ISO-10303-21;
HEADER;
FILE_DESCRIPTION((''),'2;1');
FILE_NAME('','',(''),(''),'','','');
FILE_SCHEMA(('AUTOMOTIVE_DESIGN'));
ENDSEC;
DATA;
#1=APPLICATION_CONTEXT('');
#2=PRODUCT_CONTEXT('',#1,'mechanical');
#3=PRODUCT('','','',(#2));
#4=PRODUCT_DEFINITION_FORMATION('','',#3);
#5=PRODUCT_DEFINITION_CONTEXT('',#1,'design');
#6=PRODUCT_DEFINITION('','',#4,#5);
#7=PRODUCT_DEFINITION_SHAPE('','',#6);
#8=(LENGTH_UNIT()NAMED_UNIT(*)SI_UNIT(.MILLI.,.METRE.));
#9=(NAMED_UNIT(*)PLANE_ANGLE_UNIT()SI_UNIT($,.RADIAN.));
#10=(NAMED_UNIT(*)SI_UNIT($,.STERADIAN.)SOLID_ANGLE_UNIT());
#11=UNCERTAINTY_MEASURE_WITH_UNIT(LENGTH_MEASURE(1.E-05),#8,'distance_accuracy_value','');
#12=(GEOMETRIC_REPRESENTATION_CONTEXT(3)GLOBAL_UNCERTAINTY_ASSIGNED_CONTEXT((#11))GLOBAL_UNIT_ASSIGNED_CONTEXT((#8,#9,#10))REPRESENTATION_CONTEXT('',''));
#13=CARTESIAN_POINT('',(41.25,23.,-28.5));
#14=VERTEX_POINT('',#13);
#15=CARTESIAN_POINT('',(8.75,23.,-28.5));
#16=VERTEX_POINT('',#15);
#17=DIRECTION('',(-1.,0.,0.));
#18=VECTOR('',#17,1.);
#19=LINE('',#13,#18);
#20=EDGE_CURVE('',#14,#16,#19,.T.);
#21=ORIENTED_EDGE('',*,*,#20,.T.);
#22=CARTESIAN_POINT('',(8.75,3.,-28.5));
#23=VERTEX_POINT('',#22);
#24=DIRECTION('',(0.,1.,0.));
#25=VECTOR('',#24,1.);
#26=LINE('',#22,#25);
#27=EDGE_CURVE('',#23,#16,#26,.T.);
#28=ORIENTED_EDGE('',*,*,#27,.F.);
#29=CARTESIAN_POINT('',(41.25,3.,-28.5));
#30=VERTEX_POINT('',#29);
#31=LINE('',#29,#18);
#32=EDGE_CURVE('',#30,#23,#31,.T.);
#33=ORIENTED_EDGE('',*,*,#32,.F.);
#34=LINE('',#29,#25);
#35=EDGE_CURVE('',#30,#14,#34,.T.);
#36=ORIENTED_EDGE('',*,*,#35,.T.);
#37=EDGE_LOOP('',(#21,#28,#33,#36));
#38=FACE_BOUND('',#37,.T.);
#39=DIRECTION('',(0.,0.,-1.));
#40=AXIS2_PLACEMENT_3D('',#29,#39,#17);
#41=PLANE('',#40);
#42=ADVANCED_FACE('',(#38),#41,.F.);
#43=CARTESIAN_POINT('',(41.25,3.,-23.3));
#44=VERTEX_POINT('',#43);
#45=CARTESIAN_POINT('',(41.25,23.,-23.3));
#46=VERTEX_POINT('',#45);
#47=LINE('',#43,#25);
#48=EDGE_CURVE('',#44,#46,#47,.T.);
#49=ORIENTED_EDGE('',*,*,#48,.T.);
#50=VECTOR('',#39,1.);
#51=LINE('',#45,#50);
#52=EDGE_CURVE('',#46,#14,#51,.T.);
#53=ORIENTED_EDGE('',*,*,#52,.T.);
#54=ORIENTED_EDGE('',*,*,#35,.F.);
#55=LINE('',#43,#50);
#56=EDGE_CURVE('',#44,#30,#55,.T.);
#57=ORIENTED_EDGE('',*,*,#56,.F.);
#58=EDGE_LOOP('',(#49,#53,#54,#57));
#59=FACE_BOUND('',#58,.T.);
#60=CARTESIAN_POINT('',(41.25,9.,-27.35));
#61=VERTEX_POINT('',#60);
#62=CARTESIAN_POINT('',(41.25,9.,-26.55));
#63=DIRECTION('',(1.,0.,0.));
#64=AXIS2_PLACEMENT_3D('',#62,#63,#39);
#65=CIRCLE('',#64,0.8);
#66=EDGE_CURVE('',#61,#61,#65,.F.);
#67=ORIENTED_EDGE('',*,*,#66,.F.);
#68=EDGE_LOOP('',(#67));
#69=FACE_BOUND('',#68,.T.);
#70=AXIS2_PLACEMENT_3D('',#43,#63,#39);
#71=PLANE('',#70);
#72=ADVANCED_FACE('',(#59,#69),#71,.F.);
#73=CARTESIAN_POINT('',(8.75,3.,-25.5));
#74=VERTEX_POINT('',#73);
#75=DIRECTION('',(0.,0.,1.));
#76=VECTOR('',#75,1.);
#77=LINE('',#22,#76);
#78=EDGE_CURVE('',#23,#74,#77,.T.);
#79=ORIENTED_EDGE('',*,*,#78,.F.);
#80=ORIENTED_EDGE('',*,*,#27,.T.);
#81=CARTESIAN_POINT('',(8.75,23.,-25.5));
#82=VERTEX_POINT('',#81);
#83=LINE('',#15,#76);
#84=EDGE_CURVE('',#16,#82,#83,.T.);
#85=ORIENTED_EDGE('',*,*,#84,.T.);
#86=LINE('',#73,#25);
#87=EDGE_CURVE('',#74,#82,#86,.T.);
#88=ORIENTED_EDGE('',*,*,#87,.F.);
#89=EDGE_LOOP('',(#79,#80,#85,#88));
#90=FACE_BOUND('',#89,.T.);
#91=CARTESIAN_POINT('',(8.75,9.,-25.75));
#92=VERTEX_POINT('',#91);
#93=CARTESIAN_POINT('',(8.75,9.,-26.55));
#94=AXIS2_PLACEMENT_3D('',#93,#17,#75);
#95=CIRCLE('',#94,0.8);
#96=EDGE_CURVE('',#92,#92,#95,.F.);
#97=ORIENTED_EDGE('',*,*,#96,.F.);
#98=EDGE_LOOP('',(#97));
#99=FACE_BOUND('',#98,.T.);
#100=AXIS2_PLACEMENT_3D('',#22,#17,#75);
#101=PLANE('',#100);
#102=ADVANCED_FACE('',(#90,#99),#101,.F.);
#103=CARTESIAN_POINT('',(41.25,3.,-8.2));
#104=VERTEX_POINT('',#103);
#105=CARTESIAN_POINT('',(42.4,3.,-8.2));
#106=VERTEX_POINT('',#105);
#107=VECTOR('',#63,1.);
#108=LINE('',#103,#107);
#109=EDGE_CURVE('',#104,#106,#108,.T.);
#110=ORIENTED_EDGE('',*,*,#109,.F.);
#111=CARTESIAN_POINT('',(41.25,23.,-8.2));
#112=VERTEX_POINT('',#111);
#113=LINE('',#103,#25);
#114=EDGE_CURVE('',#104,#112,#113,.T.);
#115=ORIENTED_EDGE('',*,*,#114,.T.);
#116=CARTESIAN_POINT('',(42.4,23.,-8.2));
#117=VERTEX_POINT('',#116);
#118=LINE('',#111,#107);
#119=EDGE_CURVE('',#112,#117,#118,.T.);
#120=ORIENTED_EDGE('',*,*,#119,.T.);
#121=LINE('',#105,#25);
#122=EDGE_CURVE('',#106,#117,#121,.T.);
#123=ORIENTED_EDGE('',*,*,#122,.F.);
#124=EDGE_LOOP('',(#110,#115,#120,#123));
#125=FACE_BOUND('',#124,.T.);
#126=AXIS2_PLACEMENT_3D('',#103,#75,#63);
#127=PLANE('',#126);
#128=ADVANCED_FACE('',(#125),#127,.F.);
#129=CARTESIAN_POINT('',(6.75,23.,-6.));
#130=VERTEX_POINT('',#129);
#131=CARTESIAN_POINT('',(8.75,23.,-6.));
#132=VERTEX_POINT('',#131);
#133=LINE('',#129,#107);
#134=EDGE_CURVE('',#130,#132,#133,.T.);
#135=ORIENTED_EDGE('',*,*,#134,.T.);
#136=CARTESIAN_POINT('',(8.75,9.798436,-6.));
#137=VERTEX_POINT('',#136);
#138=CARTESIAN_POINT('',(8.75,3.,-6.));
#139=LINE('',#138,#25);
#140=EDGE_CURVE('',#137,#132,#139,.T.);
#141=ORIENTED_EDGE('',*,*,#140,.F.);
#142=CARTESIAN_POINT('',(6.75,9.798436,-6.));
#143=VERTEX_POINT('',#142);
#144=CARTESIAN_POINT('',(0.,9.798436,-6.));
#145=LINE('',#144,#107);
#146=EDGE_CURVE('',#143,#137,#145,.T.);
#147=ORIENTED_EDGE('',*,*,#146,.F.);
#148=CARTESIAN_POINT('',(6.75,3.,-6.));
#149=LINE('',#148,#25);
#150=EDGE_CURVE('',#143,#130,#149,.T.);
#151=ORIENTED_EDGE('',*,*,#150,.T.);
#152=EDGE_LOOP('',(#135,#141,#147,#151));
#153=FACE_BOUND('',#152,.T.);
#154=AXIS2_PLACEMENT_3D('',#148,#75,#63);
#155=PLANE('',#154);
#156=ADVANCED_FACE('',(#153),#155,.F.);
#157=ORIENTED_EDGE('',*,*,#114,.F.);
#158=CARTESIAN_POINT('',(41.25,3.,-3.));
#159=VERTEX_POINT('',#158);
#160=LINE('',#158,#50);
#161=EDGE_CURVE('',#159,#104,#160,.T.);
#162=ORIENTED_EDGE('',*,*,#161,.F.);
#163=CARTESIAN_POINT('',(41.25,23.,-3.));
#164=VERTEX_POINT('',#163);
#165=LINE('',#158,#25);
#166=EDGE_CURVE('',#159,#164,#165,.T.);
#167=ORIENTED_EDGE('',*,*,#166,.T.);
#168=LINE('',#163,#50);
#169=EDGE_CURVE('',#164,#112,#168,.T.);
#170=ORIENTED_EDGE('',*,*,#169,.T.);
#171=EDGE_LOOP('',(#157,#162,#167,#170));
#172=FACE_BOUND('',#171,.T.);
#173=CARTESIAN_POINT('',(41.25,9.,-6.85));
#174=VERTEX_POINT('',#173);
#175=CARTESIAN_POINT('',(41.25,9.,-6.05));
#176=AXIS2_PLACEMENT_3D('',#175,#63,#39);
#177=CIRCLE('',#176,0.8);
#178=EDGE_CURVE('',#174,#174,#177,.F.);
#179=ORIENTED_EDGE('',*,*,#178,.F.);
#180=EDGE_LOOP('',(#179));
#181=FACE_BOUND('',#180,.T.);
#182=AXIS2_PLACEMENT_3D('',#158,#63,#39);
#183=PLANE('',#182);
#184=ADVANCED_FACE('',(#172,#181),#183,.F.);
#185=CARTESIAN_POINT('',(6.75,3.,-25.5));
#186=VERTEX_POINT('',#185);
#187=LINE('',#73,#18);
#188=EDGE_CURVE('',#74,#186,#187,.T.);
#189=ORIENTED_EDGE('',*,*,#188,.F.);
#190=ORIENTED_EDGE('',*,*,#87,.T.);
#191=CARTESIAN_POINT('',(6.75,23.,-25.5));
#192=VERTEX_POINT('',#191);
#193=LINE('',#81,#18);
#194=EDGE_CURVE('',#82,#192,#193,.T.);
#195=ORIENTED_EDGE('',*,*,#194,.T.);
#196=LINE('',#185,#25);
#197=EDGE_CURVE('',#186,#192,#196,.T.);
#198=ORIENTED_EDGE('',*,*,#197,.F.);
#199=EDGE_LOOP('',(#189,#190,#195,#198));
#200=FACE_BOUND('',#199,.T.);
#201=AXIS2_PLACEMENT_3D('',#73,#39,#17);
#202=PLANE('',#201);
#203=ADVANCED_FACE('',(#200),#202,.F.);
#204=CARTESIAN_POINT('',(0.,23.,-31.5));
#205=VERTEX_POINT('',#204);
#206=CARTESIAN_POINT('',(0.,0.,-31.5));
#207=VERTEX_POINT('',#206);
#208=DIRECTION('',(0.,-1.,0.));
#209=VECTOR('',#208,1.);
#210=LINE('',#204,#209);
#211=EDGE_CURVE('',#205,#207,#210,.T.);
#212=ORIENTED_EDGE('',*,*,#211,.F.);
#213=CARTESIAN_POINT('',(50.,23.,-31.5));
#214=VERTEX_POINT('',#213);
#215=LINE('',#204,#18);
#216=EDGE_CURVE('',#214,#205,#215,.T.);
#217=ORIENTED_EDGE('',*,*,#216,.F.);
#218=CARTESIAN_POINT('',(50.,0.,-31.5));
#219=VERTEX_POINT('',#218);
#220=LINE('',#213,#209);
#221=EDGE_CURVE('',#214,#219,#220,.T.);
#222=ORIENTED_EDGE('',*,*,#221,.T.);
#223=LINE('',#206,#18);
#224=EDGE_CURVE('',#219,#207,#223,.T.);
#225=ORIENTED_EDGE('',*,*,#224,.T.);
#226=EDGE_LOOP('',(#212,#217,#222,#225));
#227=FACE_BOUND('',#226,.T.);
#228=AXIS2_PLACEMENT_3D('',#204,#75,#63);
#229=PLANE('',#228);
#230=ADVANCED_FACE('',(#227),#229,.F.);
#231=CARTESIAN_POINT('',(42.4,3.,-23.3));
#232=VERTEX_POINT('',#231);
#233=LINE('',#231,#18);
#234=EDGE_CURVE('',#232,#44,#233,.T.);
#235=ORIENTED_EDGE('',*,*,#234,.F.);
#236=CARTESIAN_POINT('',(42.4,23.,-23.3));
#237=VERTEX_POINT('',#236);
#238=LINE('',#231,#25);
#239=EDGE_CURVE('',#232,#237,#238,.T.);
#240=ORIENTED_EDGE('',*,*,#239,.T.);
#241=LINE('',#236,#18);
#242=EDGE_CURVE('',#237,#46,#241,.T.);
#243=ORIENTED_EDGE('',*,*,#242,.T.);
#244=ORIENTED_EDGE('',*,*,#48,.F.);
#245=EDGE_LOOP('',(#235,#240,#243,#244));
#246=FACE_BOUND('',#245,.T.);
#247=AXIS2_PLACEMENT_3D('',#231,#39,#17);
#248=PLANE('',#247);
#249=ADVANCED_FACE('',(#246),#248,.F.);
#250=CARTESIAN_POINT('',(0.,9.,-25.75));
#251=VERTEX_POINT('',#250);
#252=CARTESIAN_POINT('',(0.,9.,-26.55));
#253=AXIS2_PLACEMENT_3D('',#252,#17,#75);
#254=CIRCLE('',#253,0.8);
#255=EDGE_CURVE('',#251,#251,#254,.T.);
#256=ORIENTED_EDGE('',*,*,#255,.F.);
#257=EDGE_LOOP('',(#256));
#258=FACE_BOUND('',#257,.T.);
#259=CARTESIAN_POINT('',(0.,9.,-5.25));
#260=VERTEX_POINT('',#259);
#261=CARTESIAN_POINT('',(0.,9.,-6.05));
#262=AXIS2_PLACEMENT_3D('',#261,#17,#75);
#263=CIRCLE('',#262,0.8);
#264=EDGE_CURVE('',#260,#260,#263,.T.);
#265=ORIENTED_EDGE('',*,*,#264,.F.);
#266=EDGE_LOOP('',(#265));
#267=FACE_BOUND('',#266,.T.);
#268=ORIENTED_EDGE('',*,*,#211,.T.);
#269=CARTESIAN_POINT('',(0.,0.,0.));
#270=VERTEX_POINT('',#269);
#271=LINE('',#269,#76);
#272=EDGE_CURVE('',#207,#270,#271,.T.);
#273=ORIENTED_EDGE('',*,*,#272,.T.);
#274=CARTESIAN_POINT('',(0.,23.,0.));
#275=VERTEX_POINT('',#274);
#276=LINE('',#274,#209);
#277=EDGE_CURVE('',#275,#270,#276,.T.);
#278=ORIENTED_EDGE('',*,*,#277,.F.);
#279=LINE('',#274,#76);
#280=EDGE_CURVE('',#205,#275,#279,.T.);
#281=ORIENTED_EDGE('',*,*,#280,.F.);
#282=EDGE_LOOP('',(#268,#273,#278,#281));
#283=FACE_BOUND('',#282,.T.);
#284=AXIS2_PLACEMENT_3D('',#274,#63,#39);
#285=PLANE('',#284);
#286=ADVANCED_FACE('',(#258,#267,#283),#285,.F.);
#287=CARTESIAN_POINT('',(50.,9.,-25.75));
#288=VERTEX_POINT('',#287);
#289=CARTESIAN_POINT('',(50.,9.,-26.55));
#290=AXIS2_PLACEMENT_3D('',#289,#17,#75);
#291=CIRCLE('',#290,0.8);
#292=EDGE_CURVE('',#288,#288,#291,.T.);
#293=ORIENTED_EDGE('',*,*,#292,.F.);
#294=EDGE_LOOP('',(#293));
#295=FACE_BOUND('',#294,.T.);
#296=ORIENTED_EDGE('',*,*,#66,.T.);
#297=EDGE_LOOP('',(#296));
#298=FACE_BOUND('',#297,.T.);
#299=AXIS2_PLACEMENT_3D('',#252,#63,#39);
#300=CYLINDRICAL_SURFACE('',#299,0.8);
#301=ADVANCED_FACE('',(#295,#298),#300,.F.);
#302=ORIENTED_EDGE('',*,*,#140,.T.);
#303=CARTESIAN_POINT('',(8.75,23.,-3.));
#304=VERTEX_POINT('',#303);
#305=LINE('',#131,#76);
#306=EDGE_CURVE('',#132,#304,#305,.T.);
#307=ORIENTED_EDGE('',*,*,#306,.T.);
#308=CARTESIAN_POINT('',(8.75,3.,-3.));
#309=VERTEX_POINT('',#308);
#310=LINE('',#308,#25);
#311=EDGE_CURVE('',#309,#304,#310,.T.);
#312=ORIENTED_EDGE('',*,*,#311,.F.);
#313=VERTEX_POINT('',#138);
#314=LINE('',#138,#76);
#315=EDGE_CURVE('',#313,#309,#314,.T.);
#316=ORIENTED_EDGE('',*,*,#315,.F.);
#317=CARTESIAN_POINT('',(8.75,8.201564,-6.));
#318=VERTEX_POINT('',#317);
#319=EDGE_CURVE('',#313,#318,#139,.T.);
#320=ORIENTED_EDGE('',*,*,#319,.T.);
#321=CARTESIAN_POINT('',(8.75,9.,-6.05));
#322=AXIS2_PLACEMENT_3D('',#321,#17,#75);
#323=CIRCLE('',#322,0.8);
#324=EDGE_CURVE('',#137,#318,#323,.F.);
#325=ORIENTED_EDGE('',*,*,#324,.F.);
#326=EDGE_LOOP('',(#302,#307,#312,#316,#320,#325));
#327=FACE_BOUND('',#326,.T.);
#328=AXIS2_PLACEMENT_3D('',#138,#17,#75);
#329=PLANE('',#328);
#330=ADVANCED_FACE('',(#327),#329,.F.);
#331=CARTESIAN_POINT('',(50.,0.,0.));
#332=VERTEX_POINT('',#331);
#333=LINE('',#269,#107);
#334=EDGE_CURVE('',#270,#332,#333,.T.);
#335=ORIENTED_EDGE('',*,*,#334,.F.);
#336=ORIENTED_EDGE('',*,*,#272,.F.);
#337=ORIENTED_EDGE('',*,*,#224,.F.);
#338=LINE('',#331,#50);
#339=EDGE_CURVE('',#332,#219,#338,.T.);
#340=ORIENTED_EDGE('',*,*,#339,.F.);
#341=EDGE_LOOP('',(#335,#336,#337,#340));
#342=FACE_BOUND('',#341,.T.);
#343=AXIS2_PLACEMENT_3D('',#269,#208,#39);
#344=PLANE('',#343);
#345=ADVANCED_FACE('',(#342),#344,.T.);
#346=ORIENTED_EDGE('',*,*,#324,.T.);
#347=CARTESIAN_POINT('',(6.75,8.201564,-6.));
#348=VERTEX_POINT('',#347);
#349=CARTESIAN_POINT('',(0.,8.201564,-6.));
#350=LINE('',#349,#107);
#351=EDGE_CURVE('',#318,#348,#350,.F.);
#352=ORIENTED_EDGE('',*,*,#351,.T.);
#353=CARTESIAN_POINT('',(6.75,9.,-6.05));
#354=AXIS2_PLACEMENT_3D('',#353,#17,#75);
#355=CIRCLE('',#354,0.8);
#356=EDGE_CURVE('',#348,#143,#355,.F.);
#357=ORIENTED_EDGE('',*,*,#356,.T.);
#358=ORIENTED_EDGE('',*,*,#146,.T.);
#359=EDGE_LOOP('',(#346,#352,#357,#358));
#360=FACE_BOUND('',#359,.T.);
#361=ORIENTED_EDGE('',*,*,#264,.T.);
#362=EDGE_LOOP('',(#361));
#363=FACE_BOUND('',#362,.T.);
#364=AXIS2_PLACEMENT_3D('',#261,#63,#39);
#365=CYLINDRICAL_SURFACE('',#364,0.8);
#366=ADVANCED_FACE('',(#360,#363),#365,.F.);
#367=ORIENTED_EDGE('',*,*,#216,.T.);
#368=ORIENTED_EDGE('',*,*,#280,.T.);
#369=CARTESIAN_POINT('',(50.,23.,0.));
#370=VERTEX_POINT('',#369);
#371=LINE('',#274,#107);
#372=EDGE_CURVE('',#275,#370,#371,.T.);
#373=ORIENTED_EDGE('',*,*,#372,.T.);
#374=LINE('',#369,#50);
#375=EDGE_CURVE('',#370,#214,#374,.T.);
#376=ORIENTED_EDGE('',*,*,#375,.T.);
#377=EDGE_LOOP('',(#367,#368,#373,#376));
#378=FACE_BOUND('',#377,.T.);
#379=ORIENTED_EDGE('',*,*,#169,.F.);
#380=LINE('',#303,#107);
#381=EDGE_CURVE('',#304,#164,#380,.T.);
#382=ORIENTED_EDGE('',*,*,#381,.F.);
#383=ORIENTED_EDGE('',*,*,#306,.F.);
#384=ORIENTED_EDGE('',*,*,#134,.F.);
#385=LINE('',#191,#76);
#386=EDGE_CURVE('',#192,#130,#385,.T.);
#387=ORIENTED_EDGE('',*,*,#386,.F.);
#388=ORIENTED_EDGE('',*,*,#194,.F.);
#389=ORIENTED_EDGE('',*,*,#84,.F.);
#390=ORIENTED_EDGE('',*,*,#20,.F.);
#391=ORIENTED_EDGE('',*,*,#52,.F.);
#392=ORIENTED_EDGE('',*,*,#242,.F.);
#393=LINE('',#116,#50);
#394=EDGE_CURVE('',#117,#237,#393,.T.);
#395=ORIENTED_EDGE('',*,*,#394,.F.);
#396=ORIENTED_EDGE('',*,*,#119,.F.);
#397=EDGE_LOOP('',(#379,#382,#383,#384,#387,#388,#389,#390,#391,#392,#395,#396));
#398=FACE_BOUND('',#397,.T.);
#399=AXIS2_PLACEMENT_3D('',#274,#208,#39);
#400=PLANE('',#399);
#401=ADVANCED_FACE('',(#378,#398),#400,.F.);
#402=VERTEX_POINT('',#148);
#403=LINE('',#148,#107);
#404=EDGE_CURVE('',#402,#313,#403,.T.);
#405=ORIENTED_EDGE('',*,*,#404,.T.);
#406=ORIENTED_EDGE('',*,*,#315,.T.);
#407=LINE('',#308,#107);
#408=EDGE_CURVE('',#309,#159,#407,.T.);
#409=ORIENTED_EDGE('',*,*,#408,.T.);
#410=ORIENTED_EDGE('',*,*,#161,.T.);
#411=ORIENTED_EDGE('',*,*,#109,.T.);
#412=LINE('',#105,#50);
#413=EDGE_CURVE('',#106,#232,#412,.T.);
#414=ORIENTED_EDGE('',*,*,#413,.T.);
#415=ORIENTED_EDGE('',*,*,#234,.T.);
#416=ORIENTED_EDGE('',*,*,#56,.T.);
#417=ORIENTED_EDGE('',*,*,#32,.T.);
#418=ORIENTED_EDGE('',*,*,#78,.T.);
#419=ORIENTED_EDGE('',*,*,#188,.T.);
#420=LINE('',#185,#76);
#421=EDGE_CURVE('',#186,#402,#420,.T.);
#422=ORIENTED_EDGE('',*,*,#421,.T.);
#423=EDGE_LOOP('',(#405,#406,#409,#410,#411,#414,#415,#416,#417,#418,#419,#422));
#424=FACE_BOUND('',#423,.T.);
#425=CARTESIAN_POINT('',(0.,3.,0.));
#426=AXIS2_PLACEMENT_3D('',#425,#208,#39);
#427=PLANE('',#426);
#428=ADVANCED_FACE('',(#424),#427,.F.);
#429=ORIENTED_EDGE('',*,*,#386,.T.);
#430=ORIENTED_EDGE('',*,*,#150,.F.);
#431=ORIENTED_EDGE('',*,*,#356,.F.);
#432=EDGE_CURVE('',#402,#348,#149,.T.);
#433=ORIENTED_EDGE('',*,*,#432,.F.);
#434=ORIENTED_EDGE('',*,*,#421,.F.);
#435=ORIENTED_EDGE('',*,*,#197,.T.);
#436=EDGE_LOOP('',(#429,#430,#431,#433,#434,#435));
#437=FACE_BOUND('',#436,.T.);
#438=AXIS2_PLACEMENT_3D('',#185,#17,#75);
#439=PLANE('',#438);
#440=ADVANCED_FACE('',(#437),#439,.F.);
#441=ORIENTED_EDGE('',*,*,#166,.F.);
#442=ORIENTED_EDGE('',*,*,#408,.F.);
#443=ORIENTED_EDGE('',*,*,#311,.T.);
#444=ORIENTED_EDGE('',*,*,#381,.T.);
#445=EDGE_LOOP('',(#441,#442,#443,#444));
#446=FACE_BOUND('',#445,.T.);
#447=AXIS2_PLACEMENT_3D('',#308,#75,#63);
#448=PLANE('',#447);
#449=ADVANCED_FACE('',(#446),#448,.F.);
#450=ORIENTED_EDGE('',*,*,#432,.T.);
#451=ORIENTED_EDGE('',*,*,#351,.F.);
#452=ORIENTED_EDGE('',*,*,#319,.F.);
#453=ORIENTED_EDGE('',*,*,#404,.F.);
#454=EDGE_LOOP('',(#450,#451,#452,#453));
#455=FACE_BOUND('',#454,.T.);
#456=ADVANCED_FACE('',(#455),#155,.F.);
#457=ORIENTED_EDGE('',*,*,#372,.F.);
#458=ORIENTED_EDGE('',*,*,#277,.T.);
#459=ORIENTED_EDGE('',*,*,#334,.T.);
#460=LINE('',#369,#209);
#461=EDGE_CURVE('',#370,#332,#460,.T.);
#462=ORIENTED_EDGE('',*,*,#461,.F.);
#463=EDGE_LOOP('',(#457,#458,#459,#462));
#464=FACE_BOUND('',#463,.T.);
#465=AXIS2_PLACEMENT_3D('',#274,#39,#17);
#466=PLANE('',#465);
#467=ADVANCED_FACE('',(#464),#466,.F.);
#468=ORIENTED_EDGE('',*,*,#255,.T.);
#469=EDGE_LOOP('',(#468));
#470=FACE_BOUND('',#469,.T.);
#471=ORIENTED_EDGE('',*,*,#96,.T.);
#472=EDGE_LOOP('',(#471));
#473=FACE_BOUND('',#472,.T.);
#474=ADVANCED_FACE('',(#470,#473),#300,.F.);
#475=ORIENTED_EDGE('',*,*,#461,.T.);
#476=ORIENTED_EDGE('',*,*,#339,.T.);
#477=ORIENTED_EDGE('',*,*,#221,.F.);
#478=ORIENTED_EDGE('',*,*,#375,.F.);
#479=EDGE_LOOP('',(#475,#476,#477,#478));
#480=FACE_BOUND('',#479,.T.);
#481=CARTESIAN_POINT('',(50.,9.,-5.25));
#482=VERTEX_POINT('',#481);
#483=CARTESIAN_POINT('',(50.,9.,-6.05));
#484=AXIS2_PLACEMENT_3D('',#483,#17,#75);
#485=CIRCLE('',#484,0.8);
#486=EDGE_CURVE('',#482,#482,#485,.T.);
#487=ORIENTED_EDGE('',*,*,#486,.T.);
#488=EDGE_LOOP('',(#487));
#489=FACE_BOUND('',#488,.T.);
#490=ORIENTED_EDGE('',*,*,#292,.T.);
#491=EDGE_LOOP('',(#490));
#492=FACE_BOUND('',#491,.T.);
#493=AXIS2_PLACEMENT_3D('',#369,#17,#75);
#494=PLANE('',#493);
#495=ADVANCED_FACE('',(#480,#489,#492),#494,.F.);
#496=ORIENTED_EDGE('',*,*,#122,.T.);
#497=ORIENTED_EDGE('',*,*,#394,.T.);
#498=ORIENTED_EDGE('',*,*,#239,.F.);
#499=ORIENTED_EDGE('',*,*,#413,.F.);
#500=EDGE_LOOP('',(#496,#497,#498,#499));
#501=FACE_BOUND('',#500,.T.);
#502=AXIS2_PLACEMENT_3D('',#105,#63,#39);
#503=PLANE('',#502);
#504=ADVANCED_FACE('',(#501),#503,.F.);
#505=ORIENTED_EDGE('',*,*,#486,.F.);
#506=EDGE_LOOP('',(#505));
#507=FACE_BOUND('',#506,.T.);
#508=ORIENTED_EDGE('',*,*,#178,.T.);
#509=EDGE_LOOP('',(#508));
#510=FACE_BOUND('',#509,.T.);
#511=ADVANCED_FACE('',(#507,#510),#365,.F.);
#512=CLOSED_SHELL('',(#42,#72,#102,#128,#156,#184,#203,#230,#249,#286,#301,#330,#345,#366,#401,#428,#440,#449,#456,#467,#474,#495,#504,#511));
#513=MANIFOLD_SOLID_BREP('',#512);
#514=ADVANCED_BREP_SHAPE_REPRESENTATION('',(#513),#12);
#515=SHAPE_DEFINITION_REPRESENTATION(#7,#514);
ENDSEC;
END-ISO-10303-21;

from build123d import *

# Parameters (mm, degrees)
SKETCH1_W               = 50
SKETCH1_H               = 31.5
BOSS_EXTRUDE1_DEPTH     = 23
CUT_EXTRUDE1_DEPTH      = 20
CUT_EXTRUDE2_DEPTH      = 57.769820327
CUT_EXTRUDE2_DEPTH_BACK = 57.769820327
SKETCH3_R               = 0.8


with BuildPart() as part:
    # Sketch1 → Boss-Extrude1 (new body)
    with BuildSketch(Plane(origin=(0, 0, 0), x_dir=(1, 0, 0), z_dir=(0, 1, 0))):
        with Locations((25, 15.75)):
            Rectangle(SKETCH1_W, SKETCH1_H)
    extrude(amount=BOSS_EXTRUDE1_DEPTH)

    # Sketch2 → Cut-Extrude1 (cut)
    with BuildSketch(Plane(origin=(0, 23, 0), x_dir=(1, 0, 0), z_dir=(0, 1, 0))):
        Polygon((41.25, 28.5), (8.75, 28.5), (8.75, 25.5), (6.75, 25.5), (6.75, 6), (8.75, 6), (8.75, 3), (41.25, 3), (41.25, 8.2), (42.4, 8.2), (42.4, 23.3), (41.25, 23.3), align=None)
    extrude(amount=-CUT_EXTRUDE1_DEPTH, mode=Mode.SUBTRACT)

    # Sketch3 → Cut-Extrude2 (cut, two sides: drawn at the far end of the back side and taken through both)
    with BuildSketch(Plane.ZY.offset(-41.25).offset(-CUT_EXTRUDE2_DEPTH_BACK)):
        with Locations(Location((-26.55, 9, 0), (0, 0, 180))):
            Circle(SKETCH3_R)
        with Locations(Location((-6.05, 9, 0), (0, 0, 273.583321698))):
            Circle(SKETCH3_R)
    extrude(amount=CUT_EXTRUDE2_DEPTH + CUT_EXTRUDE2_DEPTH_BACK, mode=Mode.SUBTRACT)


solid = part.part
